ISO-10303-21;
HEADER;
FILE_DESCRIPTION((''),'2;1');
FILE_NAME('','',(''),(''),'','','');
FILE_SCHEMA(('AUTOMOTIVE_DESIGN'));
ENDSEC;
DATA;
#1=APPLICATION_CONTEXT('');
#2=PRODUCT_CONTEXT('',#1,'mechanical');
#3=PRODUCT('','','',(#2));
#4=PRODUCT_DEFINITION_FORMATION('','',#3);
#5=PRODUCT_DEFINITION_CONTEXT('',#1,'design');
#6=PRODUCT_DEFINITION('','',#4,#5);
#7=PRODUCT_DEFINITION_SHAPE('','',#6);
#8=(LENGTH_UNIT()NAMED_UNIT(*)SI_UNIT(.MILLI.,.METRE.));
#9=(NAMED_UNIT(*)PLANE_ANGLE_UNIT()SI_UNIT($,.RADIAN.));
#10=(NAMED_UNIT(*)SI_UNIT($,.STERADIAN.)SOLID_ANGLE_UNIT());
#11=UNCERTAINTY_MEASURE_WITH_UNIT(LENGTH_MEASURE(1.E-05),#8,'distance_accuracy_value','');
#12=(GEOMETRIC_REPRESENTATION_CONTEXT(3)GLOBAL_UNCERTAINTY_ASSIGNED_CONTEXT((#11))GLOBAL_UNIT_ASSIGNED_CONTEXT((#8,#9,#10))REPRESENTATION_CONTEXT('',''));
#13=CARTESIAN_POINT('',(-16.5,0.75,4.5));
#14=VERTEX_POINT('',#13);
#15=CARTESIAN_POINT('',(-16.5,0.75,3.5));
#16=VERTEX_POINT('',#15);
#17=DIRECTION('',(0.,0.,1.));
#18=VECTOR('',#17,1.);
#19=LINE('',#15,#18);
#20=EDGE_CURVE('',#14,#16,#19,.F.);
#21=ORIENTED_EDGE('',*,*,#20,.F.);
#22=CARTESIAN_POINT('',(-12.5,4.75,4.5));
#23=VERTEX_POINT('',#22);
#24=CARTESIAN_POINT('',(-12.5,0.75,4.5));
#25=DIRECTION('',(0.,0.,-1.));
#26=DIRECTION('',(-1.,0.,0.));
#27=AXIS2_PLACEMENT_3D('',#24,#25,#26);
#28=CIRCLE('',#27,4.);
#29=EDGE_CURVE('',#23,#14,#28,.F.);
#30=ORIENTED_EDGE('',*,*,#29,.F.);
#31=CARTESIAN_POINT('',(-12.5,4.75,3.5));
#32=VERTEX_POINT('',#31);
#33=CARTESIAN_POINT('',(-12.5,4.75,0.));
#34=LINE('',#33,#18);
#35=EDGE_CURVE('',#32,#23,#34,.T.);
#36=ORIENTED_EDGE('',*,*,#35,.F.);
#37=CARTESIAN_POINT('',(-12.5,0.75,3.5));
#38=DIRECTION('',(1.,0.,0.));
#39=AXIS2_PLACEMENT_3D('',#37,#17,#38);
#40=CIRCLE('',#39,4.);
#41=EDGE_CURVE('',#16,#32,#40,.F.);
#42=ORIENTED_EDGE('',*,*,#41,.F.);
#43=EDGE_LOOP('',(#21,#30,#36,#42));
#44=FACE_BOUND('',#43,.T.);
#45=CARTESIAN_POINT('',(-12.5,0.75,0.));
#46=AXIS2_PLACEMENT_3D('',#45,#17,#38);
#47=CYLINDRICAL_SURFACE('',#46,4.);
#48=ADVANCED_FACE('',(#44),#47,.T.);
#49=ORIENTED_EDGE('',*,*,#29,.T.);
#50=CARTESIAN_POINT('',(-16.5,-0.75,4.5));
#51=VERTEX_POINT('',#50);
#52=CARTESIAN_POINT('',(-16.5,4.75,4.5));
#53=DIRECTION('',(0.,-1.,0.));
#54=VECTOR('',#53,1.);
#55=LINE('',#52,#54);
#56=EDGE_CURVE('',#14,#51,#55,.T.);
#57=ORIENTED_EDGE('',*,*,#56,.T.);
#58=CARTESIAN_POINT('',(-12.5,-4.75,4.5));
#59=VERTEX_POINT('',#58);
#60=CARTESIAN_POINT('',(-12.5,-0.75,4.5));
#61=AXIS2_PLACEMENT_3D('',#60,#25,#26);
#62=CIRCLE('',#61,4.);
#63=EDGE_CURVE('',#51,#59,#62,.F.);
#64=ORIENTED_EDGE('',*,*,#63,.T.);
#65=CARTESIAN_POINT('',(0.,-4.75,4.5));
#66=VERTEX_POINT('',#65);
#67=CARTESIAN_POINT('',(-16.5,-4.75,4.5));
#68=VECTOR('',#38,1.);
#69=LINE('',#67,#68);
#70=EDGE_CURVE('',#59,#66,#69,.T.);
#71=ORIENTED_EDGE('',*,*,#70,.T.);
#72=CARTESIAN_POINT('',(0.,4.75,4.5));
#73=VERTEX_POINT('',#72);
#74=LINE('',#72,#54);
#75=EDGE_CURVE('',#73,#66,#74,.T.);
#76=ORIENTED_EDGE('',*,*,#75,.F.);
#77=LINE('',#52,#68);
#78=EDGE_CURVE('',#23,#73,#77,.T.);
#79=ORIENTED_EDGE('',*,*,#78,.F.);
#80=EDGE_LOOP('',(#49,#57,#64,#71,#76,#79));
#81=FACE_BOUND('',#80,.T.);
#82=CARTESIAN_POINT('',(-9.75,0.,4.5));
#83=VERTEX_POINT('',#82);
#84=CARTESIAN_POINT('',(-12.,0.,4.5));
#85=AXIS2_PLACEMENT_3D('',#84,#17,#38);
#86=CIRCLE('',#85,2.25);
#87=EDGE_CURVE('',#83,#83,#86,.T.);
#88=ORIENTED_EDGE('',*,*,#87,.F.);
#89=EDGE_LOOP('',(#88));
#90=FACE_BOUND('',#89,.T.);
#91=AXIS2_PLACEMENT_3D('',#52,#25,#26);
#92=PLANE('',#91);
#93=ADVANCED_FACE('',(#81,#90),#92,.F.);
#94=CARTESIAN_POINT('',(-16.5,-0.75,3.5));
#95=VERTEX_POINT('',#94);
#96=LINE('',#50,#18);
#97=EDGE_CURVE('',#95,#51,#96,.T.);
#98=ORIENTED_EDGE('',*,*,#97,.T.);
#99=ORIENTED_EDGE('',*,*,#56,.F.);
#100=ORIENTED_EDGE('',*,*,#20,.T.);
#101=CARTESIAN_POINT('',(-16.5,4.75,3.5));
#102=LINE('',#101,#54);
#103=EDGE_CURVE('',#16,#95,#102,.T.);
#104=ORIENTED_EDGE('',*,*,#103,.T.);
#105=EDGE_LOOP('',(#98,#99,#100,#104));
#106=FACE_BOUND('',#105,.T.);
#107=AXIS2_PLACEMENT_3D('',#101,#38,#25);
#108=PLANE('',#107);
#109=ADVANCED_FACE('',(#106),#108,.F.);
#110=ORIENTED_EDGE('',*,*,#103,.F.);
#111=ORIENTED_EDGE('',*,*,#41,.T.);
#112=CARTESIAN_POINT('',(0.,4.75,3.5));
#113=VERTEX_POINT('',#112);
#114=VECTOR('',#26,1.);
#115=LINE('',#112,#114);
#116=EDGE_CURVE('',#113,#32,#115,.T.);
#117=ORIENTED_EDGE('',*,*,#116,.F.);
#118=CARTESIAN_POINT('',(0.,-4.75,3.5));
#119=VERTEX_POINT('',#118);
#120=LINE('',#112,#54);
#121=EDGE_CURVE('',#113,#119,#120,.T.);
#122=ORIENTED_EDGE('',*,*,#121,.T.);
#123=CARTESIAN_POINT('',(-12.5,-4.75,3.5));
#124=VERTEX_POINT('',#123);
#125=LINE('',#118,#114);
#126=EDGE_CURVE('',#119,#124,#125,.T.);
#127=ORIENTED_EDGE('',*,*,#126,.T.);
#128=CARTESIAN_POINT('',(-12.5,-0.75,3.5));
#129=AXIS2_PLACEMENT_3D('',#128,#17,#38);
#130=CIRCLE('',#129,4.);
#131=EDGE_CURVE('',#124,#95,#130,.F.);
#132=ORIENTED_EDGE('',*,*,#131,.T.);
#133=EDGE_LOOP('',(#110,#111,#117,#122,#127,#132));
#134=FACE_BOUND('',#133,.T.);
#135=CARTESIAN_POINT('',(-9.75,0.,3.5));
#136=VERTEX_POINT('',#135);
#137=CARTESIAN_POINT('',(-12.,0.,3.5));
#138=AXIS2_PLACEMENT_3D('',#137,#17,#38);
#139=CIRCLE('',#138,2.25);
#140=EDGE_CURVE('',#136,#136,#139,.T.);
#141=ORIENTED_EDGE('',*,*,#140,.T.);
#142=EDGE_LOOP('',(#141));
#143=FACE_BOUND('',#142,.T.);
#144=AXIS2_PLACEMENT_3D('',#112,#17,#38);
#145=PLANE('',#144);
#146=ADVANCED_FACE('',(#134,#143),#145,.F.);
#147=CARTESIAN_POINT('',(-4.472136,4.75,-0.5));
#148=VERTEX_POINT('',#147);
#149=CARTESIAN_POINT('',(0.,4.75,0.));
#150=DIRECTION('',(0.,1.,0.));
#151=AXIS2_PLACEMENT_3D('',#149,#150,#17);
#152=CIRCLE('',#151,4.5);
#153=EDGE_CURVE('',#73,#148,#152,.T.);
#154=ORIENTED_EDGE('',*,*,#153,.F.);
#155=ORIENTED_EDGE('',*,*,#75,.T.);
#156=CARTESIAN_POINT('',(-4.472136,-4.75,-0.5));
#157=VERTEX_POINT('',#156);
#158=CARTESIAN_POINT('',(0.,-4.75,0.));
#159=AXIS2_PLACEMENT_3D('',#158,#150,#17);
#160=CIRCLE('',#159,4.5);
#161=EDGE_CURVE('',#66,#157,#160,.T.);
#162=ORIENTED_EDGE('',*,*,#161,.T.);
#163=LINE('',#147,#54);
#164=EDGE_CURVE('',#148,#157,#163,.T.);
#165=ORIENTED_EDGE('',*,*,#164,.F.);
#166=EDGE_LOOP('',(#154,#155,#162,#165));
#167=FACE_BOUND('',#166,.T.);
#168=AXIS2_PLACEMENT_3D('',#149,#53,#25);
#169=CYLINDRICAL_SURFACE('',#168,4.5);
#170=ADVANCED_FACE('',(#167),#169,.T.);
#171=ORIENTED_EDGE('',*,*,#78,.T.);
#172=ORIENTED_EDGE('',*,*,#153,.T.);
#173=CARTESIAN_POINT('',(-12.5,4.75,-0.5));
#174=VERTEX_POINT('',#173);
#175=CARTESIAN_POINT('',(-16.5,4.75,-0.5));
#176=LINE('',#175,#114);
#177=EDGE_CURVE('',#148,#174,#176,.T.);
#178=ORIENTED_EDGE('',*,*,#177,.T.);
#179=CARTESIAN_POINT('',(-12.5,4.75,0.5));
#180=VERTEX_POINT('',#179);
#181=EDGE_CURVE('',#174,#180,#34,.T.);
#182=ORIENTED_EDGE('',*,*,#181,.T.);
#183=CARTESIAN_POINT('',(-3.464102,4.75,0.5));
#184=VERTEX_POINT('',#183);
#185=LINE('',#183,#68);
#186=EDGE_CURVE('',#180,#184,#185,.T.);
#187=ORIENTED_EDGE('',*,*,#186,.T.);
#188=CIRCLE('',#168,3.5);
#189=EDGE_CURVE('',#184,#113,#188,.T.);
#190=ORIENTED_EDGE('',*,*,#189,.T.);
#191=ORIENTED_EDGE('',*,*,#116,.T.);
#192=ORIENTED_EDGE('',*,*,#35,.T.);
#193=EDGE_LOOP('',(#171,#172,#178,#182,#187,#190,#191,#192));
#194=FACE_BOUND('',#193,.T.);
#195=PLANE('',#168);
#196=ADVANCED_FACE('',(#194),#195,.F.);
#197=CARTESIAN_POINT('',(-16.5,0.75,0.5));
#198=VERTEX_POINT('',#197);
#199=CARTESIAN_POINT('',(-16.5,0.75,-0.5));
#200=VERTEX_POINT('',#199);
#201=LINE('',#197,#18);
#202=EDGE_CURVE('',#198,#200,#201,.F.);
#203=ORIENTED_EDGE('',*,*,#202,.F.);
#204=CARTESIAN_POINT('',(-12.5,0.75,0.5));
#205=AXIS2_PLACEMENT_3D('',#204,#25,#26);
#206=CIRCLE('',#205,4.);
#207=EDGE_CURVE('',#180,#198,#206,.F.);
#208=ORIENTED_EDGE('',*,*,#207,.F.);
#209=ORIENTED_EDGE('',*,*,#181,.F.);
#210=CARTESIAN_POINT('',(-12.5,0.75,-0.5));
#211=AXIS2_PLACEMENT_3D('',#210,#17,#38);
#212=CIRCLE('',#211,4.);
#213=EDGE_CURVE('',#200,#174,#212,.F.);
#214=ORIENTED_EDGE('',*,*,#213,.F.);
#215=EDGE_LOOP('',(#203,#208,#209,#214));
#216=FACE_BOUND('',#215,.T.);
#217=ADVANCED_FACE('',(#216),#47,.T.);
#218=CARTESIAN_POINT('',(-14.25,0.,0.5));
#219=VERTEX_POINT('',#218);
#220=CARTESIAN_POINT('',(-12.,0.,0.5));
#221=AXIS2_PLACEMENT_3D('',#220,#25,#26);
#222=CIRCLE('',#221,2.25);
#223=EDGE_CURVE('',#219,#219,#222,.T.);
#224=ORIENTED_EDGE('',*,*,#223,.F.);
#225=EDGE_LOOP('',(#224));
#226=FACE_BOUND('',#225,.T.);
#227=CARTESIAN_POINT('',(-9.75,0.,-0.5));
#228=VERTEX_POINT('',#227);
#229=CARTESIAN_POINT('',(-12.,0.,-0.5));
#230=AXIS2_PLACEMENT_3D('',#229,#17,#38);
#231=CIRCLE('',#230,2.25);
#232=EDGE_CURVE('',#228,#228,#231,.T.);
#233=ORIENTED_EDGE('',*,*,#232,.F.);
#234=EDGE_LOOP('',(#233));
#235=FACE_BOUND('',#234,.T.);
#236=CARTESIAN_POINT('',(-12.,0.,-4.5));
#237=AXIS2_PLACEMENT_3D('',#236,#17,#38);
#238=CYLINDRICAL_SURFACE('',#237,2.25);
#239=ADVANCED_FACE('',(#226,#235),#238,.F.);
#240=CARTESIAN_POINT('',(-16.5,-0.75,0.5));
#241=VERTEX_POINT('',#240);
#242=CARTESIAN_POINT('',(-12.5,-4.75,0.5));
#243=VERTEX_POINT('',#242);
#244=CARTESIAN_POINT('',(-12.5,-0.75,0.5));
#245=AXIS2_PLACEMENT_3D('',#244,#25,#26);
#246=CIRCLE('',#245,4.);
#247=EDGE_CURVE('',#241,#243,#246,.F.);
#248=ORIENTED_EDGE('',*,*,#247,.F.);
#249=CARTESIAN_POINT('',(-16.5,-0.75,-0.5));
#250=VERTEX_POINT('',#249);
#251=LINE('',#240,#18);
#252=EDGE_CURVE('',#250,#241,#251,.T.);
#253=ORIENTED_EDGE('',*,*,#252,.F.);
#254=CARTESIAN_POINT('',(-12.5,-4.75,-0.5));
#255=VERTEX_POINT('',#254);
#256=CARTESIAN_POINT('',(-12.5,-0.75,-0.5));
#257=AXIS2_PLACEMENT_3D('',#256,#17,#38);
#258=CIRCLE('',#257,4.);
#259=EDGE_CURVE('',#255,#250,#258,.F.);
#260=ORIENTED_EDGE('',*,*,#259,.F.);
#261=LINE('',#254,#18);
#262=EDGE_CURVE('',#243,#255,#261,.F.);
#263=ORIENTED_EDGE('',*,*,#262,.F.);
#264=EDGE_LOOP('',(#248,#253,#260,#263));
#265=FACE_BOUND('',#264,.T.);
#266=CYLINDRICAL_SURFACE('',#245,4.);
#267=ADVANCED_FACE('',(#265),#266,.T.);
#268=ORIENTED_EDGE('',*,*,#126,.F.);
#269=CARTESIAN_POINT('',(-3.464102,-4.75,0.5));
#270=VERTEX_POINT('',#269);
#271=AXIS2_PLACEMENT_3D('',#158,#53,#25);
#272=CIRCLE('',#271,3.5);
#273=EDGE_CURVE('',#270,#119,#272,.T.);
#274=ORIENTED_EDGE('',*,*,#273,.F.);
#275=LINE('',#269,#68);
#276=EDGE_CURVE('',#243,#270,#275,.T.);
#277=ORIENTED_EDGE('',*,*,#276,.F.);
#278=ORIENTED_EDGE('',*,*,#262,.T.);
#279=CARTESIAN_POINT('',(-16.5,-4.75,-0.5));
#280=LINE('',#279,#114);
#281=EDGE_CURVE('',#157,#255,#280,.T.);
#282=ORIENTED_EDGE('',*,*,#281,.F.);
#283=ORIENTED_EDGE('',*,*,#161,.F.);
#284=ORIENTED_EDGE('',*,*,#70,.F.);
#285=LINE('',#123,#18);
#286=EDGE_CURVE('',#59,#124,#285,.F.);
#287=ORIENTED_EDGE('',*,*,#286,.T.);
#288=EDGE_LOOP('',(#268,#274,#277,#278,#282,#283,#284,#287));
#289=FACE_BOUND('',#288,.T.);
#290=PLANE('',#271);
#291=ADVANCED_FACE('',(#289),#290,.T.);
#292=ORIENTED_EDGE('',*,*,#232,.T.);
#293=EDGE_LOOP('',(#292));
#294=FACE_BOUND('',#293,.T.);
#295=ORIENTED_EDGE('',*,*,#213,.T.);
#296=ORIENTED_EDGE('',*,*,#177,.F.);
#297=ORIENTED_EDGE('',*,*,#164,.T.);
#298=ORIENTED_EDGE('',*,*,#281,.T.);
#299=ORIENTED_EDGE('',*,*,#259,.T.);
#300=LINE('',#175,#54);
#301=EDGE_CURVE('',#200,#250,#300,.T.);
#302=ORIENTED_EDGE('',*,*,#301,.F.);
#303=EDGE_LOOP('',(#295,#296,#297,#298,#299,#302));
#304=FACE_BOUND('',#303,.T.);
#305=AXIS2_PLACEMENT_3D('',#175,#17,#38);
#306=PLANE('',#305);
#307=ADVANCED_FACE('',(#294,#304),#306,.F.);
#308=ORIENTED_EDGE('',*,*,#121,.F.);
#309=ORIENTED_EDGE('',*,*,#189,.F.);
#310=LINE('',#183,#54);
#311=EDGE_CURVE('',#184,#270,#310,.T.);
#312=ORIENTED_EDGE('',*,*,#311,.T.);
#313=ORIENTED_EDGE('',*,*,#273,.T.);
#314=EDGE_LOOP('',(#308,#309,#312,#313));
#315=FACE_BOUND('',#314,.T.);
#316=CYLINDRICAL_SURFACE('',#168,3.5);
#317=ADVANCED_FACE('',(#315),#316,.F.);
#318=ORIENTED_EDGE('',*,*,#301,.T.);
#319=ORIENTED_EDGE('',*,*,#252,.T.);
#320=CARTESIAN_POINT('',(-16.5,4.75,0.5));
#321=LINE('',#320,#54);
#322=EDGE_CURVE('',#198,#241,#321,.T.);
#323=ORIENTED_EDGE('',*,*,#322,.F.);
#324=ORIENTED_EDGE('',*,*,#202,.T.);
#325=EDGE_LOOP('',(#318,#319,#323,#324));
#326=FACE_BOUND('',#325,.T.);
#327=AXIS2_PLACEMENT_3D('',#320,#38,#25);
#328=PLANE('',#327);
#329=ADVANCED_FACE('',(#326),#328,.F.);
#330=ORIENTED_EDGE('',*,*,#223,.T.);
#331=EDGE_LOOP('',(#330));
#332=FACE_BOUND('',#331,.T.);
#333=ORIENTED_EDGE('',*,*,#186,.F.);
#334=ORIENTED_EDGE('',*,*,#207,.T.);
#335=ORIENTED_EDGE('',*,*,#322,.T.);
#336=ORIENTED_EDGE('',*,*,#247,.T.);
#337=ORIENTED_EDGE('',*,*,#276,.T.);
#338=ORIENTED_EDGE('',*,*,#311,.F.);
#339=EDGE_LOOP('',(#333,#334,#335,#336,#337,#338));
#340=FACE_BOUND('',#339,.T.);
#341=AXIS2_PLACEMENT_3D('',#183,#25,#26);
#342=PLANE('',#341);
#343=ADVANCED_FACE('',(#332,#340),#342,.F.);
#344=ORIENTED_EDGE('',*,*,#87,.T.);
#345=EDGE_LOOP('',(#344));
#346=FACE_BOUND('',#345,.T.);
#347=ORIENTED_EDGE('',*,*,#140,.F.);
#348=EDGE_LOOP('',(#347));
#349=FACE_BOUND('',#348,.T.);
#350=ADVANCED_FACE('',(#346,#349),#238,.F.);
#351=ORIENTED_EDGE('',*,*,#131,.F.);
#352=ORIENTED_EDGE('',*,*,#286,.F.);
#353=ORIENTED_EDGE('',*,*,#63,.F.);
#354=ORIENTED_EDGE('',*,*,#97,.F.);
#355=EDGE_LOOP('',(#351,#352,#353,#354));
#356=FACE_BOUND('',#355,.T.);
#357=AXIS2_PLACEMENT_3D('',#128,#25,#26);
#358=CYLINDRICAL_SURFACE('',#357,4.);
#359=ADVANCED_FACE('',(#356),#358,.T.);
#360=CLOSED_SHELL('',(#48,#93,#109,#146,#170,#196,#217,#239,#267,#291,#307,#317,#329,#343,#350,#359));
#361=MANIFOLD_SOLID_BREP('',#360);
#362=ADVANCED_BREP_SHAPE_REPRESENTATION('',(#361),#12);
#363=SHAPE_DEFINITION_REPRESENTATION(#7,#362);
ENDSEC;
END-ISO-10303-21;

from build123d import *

# Parameters (mm, degrees)
BOSS_EXTRUDE1_DEPTH = 4.75
SKETCH2_R           = 2.25
CUT_EXTRUDE1_DEPTH  = 10
FILLET1_R           = 4


with BuildPart() as part:
    # Sketch1 → Boss-Extrude1 (new body, symmetric)
    with BuildSketch(Plane(origin=(0, 0, 0), x_dir=(1, 0, 0), z_dir=(0, 1, 0))):
        with BuildLine():
            Line((0, -3.5), (-16.5, -3.5))
            Line((-16.5, -3.5), (-16.5, -4.5))
            Line((-16.5, -4.5), (0, -4.5))
            ThreePointArc((0, -4.5), (3.354101966, 3), (-4.472135955, 0.5))
            Line((-4.472135955, 0.5), (-16.5, 0.5))
            Line((-16.5, 0.5), (-16.5, -0.5))
            Line((-16.5, -0.5), (-3.464101615, -0.5))
            ThreePointArc((-3.464101615, -0.5), (2.291287847, 2.645751311), (0, -3.5))
        make_face()
    extrude(amount=BOSS_EXTRUDE1_DEPTH, both=True)

    # Sketch2 → Cut-Extrude1 (cut, through all)
    with BuildSketch(Plane.XY.offset(4.5)):
        with Locations((-12, 0)):
            Circle(SKETCH2_R)
    extrude(amount=-CUT_EXTRUDE1_DEPTH, mode=Mode.SUBTRACT)

    # Fillet1
    fillet1_edges = [part.edges().sort_by_distance(p)[0] for p in [
        (-16.5, 4.75, 4),
        (-16.5, 4.75, 0),
        (-16.5, -4.75, 0),
        (-16.5, -4.75, 4),
    ]]
    fillet(fillet1_edges, radius=FILLET1_R)


solid = part.part
